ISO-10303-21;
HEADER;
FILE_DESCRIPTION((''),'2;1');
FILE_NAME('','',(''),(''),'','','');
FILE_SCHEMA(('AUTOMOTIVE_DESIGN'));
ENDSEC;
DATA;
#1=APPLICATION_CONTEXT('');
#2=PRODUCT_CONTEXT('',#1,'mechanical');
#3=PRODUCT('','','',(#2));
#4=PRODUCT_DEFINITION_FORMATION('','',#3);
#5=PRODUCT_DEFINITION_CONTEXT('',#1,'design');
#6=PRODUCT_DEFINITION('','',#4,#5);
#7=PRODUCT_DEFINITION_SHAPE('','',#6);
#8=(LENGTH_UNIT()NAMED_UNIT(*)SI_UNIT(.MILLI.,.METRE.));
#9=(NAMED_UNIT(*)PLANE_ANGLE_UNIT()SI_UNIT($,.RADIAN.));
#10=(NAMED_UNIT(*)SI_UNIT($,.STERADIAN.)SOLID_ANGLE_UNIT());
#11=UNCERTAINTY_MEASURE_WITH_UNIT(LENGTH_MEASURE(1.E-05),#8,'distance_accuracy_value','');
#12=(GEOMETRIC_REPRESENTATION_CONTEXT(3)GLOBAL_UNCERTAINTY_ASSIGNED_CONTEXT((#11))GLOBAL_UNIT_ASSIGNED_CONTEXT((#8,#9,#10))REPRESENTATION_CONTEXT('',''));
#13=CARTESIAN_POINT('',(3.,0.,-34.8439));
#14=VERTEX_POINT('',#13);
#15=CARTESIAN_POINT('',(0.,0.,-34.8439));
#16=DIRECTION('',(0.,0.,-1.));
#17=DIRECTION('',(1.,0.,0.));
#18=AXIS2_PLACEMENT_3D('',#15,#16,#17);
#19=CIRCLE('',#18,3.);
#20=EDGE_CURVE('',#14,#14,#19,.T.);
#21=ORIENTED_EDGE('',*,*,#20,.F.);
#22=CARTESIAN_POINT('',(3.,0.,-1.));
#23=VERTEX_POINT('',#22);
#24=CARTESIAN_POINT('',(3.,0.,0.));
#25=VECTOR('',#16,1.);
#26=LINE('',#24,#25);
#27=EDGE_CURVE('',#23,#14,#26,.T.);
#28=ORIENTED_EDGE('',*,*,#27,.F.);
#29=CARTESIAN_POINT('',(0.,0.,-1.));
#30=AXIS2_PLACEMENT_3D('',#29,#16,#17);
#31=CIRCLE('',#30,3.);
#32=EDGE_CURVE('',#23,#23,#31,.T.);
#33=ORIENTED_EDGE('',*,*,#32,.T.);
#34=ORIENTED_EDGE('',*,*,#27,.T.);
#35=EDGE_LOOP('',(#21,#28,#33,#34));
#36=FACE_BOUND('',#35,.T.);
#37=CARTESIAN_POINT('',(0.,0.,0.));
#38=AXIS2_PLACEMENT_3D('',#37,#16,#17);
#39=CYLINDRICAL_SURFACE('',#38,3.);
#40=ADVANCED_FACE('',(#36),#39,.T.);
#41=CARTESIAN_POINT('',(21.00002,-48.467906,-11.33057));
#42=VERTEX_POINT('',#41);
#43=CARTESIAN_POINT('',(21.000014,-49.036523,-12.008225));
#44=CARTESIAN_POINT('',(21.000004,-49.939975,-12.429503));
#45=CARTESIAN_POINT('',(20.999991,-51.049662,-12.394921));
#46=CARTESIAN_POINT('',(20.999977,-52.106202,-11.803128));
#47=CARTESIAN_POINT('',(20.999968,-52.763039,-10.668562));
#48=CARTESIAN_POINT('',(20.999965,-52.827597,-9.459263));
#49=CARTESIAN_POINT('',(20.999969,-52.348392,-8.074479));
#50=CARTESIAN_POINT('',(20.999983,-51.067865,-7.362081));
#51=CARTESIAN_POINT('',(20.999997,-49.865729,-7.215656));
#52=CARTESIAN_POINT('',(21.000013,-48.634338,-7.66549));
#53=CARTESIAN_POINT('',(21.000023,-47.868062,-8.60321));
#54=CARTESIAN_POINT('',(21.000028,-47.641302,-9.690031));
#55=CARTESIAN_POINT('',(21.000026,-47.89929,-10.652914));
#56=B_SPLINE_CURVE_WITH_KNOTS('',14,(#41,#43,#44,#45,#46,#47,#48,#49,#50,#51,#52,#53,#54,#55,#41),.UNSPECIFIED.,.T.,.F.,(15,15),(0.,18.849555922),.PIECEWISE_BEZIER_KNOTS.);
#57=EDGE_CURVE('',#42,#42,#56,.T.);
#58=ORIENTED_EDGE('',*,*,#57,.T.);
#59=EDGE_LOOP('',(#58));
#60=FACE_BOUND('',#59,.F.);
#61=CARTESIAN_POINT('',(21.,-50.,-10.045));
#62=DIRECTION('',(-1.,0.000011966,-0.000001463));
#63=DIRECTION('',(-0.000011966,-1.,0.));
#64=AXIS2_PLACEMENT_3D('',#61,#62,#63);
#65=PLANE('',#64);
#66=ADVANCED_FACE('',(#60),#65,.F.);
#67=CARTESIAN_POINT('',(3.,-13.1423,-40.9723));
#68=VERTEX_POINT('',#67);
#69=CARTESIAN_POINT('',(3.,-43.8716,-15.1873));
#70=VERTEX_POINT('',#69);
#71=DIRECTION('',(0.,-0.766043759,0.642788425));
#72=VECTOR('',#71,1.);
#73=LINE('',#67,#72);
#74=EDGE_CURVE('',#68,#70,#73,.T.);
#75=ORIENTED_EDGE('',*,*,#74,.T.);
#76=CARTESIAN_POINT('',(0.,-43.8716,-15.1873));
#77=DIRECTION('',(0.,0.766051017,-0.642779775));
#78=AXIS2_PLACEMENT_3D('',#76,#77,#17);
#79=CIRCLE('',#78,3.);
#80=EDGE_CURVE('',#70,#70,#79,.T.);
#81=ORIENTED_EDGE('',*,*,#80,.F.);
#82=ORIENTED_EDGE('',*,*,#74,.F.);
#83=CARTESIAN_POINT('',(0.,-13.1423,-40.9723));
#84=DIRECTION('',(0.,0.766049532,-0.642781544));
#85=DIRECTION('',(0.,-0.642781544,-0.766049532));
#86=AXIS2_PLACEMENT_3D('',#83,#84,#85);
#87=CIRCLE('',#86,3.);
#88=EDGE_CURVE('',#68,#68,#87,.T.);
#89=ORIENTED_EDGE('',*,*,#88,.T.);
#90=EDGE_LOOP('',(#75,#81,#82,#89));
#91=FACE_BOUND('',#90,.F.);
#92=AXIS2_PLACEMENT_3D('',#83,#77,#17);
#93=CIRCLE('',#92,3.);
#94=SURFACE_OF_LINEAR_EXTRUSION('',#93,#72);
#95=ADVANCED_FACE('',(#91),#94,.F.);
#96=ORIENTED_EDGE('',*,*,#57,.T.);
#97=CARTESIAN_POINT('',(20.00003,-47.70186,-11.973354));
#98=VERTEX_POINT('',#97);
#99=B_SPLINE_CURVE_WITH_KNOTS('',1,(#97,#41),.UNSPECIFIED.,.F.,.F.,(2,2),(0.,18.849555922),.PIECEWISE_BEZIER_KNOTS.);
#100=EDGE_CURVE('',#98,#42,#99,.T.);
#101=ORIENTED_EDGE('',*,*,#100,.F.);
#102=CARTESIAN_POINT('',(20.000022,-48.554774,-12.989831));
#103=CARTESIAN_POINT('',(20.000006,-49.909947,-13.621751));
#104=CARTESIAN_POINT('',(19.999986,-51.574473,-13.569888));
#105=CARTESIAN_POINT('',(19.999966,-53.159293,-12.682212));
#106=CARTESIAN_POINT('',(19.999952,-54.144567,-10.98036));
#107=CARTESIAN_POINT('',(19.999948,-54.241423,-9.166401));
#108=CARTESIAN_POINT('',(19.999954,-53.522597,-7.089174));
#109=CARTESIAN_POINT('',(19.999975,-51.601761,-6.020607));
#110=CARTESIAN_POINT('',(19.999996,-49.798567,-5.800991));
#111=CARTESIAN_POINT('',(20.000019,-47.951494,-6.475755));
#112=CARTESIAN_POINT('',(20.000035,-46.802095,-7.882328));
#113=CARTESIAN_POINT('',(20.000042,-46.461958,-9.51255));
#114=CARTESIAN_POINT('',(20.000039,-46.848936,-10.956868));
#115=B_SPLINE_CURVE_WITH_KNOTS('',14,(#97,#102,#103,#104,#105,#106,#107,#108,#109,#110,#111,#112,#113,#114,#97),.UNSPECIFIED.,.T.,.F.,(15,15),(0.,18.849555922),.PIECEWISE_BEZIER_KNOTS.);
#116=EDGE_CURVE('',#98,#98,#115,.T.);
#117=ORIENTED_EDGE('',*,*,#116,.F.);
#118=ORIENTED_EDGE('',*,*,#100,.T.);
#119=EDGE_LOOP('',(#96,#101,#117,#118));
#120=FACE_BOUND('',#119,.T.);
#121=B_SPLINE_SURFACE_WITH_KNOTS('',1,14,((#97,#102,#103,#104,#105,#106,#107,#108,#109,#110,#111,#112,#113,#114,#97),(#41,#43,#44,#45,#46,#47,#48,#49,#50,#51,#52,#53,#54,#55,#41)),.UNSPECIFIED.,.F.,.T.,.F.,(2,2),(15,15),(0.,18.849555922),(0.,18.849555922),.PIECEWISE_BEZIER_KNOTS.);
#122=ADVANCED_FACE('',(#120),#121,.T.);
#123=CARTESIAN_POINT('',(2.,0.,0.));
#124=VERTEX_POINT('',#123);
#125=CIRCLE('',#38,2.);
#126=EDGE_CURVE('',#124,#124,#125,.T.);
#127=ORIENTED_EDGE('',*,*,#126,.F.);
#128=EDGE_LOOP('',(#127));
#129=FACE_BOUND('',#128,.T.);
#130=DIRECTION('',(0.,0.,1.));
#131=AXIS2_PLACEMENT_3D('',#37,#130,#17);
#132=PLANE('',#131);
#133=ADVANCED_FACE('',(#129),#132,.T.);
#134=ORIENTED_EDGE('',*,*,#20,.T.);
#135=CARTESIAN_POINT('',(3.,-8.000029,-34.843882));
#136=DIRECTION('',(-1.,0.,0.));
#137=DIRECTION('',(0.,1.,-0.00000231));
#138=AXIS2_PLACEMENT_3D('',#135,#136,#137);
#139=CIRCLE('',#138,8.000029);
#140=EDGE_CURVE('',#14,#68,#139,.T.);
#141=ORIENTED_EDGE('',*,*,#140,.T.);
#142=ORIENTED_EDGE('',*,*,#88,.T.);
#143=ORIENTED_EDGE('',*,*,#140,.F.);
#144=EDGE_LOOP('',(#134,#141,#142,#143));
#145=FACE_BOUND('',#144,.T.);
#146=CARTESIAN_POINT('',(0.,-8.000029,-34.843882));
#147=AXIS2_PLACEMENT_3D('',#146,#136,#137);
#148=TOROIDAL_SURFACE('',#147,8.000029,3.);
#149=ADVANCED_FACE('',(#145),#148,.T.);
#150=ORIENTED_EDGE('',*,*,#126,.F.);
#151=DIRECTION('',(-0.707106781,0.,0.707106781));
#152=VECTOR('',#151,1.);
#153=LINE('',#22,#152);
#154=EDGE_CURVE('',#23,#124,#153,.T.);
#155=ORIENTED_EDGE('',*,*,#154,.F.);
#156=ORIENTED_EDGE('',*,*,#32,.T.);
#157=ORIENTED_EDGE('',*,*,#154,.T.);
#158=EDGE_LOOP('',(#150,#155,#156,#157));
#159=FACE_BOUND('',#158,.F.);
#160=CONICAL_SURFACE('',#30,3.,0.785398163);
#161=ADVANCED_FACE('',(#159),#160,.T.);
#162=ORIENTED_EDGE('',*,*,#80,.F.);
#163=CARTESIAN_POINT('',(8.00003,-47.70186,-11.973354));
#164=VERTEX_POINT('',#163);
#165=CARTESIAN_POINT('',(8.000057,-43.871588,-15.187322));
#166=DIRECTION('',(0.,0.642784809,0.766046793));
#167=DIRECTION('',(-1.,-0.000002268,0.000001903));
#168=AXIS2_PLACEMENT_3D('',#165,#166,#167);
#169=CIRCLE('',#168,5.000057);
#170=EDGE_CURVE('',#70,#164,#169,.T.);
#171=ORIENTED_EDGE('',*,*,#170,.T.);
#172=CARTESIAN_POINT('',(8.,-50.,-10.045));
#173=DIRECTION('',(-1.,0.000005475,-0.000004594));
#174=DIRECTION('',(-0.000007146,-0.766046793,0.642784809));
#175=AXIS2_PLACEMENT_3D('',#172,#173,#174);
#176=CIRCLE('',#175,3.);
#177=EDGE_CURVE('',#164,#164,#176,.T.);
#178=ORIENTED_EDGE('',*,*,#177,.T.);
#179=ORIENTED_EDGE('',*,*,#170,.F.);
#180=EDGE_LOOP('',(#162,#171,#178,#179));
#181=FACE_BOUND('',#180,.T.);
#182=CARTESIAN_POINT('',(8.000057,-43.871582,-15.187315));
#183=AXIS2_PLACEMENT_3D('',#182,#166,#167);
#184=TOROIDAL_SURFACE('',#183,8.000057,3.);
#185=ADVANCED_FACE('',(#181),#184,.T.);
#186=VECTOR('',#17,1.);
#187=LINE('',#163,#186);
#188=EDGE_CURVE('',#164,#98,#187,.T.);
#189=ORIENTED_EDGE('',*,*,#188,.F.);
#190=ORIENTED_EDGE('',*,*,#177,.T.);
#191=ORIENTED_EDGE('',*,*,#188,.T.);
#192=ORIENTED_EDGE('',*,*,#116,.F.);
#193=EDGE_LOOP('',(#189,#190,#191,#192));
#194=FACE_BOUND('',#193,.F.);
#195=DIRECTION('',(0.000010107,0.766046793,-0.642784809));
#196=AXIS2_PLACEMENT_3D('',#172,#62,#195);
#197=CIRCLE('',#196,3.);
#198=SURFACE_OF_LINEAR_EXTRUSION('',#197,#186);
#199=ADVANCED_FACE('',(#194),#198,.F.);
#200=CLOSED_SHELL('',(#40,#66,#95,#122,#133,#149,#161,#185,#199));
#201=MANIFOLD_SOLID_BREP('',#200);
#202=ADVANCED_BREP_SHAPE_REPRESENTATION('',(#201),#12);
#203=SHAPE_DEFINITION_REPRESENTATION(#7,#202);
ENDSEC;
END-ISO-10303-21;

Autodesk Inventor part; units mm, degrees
ref_plane "YZ Plane" through (0, 0, 0) normal (1, 0, 0) x (0, 1, 0)
ref_plane "XZ Plane" through (0, 0, 0) normal (0, 1, 0) x (-1, 0, 0)
ref_plane "XY Plane" through (0, 0, 0) normal (0, 0, 1) x (1, 0, 0)
sketch "Esquisse4" plane through (0, 0, 0) normal (0, 0, 1) x (1, 0, 0)
  circle A0 centre (0, 0) radius 3
  dimension "d15" = 6
sketch3d "Esquisse 3D1"
  line L0 (0, 0, 0) -> (0, 0, -34.8439)
  arc A0 (0, 0, -34.8439) -> (0, -13.1423, -40.9723) centre (0, -8, -34.8439) ccw
  line L1 (0, -13.1423, -40.9723) -> (0, -43.8716, -15.1873)
  arc A1 (0, -43.8716, -15.1873) -> (8, -50, -10.045) centre (8, -43.8716, -15.1873) ccw
  line L2 (8, -50, -10.045) -> (21, -50, -10.045)
  dimension "d11" = 52
  dimension "d12" = 21
  dimension "d13" = 8
  dimension "d14" = 8
sweep "Balayage2" add profiles "Esquisse4" path "Esquisse 3D1"
chamfer "Chanfrein1" distance 1 angle 45 6 edges at (-3, 0, 0) (-3, 0, -34.8439) (-3, -13.1423, -40.9723) (-3, -43.8716, -15.1873) (8, -52.2981, -8.1167) (21, -52.2981, -8.1167)
equation "\"nombredor\" = 1.61803"
equation "\"pi\" = 3.141593"
properties part number "Barre" material "Acier inoxydable"
